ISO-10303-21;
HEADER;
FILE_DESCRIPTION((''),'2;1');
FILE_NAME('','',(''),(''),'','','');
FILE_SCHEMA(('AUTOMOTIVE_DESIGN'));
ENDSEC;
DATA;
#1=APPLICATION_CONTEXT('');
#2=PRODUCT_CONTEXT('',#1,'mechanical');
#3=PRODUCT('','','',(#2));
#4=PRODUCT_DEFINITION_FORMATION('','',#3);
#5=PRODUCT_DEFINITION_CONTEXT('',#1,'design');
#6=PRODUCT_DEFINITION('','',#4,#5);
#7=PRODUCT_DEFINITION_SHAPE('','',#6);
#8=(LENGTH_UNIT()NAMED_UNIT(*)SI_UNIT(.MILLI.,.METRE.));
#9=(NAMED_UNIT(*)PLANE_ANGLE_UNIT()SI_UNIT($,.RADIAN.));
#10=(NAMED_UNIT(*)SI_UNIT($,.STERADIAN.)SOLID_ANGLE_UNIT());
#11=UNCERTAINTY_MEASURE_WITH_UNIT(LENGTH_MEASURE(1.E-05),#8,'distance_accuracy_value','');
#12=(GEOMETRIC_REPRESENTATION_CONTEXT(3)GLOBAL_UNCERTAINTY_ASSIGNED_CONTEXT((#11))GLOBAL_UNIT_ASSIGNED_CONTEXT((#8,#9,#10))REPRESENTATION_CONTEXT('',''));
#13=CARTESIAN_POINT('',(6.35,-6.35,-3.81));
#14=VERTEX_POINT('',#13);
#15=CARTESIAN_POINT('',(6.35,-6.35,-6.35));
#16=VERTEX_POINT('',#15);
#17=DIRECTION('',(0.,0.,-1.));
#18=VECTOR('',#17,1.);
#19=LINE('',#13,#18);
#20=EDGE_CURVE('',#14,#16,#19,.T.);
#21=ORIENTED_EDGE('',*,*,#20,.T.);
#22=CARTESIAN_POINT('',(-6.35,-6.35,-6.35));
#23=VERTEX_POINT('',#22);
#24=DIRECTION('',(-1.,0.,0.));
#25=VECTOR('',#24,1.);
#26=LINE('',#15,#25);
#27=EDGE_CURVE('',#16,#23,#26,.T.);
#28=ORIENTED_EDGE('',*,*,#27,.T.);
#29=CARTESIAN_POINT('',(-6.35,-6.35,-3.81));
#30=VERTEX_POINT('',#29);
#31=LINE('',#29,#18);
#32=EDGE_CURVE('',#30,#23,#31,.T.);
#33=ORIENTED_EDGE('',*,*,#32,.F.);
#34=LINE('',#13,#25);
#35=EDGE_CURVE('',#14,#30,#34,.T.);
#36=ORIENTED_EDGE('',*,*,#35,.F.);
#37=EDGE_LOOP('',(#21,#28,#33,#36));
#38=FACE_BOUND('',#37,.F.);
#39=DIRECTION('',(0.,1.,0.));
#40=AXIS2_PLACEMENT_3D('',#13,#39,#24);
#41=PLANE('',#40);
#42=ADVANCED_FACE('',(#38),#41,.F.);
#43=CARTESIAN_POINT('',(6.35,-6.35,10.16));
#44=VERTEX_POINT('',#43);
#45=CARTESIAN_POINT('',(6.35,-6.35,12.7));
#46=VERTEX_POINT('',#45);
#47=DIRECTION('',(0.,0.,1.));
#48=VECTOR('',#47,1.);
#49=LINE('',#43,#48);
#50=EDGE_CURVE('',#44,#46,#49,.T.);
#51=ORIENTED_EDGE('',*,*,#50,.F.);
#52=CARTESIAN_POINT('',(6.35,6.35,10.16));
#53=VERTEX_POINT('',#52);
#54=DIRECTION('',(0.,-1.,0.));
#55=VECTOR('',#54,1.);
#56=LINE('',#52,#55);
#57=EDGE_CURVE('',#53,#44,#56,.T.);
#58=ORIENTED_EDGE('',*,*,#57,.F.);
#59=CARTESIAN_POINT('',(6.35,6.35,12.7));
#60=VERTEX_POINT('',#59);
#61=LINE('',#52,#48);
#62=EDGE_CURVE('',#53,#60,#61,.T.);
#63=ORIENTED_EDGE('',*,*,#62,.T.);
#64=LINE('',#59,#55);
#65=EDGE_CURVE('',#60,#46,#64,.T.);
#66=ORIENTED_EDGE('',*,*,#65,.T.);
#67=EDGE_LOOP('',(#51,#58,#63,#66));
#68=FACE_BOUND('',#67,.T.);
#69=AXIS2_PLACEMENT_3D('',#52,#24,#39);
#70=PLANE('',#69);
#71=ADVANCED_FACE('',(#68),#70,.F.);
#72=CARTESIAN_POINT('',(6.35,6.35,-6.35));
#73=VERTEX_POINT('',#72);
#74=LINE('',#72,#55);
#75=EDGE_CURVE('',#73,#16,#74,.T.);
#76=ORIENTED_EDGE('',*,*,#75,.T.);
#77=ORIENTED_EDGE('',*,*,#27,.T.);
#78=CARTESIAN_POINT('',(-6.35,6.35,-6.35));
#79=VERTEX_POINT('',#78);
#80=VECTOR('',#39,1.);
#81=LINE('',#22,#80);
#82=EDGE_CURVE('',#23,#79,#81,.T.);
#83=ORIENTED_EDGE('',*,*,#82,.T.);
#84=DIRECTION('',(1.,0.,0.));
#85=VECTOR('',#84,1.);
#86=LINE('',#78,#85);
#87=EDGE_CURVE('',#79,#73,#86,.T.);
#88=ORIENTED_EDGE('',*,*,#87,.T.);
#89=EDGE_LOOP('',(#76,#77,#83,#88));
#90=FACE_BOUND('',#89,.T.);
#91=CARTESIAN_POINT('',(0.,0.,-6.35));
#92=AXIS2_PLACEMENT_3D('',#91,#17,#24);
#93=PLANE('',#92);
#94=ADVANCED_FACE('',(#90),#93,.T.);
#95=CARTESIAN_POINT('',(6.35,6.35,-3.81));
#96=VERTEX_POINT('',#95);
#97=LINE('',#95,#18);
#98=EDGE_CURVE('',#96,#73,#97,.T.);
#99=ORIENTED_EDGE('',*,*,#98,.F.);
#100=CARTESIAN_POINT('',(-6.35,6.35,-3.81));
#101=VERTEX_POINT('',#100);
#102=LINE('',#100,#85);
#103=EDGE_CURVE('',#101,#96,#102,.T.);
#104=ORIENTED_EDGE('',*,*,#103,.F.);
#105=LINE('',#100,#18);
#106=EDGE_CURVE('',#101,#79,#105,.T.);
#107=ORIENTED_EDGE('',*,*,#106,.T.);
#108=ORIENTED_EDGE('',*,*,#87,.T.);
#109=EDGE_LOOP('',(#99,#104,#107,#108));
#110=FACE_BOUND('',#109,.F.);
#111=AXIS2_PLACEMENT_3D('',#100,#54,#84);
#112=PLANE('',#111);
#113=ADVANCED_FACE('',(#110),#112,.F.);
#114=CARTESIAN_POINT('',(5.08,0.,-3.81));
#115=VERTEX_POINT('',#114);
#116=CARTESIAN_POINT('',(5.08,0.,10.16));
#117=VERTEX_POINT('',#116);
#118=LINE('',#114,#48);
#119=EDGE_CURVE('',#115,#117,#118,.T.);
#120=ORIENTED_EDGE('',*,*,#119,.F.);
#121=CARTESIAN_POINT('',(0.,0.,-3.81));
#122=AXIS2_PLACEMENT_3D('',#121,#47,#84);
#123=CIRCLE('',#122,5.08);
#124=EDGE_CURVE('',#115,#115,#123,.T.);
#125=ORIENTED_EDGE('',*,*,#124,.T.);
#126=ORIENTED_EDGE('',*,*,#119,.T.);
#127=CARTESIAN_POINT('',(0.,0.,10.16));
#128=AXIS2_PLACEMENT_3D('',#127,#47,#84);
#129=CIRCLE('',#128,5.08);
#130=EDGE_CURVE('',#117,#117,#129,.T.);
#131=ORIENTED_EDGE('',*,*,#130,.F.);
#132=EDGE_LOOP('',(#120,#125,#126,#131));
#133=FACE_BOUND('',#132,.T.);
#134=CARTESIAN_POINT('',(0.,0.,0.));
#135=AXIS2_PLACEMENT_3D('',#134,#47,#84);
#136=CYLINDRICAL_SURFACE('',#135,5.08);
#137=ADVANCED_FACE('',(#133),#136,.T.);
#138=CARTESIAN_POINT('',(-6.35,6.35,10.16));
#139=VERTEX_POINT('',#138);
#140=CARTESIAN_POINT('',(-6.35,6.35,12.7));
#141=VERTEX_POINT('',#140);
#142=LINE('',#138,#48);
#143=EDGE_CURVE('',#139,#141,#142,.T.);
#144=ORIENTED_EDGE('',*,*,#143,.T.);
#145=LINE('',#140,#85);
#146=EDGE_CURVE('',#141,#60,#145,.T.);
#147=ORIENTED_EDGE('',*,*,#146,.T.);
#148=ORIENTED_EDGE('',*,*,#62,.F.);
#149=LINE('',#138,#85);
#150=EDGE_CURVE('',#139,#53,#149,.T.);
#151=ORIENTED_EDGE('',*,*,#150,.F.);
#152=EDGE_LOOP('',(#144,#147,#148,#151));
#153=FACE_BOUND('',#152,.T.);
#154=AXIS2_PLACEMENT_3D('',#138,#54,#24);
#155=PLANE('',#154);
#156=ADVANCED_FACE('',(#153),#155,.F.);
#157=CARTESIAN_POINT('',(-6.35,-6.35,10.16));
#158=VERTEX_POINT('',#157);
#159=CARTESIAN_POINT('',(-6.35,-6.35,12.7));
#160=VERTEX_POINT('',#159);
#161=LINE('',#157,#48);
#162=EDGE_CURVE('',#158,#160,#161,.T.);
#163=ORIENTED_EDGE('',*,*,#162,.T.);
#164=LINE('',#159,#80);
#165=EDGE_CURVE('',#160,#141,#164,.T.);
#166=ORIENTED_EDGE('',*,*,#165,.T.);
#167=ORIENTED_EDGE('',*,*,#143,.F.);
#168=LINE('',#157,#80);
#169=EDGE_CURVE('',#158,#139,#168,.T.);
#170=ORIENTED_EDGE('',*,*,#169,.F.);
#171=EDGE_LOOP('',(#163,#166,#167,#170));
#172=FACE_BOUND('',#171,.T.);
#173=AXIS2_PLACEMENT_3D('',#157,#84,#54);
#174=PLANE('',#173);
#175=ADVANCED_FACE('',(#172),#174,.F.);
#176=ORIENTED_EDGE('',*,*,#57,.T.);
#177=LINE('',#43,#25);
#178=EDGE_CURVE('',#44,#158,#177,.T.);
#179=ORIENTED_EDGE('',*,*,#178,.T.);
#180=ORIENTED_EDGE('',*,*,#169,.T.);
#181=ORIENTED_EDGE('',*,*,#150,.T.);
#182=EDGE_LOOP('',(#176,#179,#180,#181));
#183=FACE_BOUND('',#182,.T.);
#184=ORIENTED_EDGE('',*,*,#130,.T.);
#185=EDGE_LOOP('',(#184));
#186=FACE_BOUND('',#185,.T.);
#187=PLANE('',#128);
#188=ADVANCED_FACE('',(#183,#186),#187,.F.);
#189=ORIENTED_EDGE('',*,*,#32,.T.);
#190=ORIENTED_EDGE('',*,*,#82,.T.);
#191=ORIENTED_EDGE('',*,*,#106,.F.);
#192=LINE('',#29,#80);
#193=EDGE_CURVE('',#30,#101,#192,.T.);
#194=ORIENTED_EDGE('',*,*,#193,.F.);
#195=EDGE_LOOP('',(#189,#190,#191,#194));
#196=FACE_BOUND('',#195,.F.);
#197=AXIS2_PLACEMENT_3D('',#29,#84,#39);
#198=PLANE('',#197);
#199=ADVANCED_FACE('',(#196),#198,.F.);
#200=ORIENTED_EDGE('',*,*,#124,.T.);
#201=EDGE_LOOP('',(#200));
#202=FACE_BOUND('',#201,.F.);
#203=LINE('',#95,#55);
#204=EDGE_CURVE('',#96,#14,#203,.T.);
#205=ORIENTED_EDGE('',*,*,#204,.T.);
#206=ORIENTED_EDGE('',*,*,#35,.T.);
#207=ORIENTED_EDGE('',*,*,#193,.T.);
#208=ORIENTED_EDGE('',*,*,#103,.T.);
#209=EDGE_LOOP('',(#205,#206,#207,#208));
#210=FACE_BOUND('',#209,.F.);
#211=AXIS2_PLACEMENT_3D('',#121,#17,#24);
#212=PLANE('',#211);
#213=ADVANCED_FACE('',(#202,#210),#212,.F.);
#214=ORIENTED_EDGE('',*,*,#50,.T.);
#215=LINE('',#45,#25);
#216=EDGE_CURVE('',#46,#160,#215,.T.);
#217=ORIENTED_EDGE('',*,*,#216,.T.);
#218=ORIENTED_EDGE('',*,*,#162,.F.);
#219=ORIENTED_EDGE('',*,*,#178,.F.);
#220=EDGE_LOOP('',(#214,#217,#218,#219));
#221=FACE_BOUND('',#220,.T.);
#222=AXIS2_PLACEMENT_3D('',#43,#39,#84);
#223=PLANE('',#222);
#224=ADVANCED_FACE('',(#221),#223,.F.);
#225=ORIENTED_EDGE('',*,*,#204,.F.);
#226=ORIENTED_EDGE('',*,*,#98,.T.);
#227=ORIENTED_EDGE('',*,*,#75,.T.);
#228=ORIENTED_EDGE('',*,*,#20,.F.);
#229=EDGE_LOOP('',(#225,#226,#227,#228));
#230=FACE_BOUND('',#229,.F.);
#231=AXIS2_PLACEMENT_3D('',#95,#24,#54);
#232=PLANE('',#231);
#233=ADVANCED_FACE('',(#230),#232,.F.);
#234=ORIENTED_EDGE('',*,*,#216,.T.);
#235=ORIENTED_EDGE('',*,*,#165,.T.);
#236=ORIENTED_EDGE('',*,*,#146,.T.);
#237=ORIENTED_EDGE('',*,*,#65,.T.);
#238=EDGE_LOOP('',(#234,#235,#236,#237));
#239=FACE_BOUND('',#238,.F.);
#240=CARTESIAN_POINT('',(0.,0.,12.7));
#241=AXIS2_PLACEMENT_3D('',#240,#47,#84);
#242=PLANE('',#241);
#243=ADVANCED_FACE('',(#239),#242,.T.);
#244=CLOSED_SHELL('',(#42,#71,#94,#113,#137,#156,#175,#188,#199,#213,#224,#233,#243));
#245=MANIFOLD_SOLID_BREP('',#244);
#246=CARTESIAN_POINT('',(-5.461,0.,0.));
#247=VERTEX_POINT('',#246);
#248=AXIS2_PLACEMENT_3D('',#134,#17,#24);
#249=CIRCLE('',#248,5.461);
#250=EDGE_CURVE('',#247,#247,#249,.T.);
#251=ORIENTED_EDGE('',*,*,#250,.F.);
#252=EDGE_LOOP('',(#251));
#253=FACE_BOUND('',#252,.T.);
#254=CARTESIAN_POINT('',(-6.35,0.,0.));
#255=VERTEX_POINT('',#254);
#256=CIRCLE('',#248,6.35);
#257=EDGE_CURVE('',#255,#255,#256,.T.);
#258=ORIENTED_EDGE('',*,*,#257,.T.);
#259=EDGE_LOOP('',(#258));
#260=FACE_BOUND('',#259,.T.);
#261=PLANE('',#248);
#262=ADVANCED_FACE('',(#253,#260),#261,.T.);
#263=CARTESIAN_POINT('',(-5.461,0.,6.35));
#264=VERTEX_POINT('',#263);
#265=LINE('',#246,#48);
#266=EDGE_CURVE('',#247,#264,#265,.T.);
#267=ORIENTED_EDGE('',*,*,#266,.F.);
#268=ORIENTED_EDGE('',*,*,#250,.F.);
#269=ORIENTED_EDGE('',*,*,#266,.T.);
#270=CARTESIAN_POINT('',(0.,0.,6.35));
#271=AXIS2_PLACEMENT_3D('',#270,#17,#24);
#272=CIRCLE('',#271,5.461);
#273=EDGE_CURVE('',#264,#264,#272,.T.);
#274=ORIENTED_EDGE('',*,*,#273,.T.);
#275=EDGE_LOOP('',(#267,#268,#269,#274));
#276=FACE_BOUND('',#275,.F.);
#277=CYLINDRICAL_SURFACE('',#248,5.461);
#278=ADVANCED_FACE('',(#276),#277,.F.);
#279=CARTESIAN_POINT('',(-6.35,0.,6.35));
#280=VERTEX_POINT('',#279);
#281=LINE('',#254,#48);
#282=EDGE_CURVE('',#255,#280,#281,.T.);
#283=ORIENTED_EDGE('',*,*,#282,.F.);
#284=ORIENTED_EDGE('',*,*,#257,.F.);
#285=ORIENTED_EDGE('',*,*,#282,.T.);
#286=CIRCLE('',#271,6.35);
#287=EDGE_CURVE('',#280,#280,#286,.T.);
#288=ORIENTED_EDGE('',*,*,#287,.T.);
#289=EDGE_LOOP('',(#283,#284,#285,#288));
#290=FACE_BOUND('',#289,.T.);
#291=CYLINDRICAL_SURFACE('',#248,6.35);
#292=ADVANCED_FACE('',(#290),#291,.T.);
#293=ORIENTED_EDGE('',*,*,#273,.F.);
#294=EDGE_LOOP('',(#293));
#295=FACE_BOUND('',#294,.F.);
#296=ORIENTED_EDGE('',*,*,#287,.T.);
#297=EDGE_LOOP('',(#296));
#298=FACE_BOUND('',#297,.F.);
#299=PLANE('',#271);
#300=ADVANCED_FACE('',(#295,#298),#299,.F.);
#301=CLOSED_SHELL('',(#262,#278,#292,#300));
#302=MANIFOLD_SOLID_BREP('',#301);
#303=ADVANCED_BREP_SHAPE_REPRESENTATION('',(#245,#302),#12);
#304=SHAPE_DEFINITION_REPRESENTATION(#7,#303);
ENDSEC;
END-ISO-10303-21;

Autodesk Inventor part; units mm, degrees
ref_plane "YZ Plane" through (0, 0, 0) normal (1, 0, 0) x (0, 1, 0)
sketch "Sketch1" plane through (0, 0, 0) normal (0, 0, 1) x (1, 0, 0)
  circle A0 centre (0, 0) radius 5.08
  dimension "d0" = 10.16
extrude "Extrusion1" add sketch "Sketch1" along normal blind 10.16
ref_plane "Work Plane1" through (0, 0, 5.08) normal (0, 0, -1) x (-1, 0, 0)
sketch "Sketch4" plane through (0, 0, 0) normal (0, 0, -1) x (-1, 0, 0)
  circle A0 centre (0, 0) radius 5.461
  circle A1 centre (0, 0) radius 6.35
  dimension "d13" = 10.922
  dimension "d14" = 12.7
extrude "Extrusion4" add sketch "Sketch4" against normal blind 6.35
extrude "Extrusion5" add sketch "Sketch1" against normal blind 3.81
sketch "Sketch5" plane through (0, 0, -3.81) normal (0, 0, -1) x (-1, 0, 0)
  line L0 (-6.35, -6.35) -> (6.35, -6.35)
  line L1 (6.35, -6.35) -> (6.35, 6.35)
  line L2 (6.35, 6.35) -> (-6.35, 6.35)
  line L3 (-6.35, 6.35) -> (-6.35, -6.35)
  point P0 (0, 0)
  dimension "d19" = 12.7
  dimension "d20" = 12.7
  dimension "d21" = 6.35
  dimension "d22" = 6.35
extrude "Extrusion6" add sketch "Sketch5" along normal blind 2.54
ref_plane "Work Plane2" through (0, 0, 3.175) normal (0, 0, 1) x (1, 0, 0)
mirror "Mirror1" about plane through (0, 0, 3.175) normal (0, 0, 1) of "Extrusion6"
properties part number "Ring Tolerance Test 5"
